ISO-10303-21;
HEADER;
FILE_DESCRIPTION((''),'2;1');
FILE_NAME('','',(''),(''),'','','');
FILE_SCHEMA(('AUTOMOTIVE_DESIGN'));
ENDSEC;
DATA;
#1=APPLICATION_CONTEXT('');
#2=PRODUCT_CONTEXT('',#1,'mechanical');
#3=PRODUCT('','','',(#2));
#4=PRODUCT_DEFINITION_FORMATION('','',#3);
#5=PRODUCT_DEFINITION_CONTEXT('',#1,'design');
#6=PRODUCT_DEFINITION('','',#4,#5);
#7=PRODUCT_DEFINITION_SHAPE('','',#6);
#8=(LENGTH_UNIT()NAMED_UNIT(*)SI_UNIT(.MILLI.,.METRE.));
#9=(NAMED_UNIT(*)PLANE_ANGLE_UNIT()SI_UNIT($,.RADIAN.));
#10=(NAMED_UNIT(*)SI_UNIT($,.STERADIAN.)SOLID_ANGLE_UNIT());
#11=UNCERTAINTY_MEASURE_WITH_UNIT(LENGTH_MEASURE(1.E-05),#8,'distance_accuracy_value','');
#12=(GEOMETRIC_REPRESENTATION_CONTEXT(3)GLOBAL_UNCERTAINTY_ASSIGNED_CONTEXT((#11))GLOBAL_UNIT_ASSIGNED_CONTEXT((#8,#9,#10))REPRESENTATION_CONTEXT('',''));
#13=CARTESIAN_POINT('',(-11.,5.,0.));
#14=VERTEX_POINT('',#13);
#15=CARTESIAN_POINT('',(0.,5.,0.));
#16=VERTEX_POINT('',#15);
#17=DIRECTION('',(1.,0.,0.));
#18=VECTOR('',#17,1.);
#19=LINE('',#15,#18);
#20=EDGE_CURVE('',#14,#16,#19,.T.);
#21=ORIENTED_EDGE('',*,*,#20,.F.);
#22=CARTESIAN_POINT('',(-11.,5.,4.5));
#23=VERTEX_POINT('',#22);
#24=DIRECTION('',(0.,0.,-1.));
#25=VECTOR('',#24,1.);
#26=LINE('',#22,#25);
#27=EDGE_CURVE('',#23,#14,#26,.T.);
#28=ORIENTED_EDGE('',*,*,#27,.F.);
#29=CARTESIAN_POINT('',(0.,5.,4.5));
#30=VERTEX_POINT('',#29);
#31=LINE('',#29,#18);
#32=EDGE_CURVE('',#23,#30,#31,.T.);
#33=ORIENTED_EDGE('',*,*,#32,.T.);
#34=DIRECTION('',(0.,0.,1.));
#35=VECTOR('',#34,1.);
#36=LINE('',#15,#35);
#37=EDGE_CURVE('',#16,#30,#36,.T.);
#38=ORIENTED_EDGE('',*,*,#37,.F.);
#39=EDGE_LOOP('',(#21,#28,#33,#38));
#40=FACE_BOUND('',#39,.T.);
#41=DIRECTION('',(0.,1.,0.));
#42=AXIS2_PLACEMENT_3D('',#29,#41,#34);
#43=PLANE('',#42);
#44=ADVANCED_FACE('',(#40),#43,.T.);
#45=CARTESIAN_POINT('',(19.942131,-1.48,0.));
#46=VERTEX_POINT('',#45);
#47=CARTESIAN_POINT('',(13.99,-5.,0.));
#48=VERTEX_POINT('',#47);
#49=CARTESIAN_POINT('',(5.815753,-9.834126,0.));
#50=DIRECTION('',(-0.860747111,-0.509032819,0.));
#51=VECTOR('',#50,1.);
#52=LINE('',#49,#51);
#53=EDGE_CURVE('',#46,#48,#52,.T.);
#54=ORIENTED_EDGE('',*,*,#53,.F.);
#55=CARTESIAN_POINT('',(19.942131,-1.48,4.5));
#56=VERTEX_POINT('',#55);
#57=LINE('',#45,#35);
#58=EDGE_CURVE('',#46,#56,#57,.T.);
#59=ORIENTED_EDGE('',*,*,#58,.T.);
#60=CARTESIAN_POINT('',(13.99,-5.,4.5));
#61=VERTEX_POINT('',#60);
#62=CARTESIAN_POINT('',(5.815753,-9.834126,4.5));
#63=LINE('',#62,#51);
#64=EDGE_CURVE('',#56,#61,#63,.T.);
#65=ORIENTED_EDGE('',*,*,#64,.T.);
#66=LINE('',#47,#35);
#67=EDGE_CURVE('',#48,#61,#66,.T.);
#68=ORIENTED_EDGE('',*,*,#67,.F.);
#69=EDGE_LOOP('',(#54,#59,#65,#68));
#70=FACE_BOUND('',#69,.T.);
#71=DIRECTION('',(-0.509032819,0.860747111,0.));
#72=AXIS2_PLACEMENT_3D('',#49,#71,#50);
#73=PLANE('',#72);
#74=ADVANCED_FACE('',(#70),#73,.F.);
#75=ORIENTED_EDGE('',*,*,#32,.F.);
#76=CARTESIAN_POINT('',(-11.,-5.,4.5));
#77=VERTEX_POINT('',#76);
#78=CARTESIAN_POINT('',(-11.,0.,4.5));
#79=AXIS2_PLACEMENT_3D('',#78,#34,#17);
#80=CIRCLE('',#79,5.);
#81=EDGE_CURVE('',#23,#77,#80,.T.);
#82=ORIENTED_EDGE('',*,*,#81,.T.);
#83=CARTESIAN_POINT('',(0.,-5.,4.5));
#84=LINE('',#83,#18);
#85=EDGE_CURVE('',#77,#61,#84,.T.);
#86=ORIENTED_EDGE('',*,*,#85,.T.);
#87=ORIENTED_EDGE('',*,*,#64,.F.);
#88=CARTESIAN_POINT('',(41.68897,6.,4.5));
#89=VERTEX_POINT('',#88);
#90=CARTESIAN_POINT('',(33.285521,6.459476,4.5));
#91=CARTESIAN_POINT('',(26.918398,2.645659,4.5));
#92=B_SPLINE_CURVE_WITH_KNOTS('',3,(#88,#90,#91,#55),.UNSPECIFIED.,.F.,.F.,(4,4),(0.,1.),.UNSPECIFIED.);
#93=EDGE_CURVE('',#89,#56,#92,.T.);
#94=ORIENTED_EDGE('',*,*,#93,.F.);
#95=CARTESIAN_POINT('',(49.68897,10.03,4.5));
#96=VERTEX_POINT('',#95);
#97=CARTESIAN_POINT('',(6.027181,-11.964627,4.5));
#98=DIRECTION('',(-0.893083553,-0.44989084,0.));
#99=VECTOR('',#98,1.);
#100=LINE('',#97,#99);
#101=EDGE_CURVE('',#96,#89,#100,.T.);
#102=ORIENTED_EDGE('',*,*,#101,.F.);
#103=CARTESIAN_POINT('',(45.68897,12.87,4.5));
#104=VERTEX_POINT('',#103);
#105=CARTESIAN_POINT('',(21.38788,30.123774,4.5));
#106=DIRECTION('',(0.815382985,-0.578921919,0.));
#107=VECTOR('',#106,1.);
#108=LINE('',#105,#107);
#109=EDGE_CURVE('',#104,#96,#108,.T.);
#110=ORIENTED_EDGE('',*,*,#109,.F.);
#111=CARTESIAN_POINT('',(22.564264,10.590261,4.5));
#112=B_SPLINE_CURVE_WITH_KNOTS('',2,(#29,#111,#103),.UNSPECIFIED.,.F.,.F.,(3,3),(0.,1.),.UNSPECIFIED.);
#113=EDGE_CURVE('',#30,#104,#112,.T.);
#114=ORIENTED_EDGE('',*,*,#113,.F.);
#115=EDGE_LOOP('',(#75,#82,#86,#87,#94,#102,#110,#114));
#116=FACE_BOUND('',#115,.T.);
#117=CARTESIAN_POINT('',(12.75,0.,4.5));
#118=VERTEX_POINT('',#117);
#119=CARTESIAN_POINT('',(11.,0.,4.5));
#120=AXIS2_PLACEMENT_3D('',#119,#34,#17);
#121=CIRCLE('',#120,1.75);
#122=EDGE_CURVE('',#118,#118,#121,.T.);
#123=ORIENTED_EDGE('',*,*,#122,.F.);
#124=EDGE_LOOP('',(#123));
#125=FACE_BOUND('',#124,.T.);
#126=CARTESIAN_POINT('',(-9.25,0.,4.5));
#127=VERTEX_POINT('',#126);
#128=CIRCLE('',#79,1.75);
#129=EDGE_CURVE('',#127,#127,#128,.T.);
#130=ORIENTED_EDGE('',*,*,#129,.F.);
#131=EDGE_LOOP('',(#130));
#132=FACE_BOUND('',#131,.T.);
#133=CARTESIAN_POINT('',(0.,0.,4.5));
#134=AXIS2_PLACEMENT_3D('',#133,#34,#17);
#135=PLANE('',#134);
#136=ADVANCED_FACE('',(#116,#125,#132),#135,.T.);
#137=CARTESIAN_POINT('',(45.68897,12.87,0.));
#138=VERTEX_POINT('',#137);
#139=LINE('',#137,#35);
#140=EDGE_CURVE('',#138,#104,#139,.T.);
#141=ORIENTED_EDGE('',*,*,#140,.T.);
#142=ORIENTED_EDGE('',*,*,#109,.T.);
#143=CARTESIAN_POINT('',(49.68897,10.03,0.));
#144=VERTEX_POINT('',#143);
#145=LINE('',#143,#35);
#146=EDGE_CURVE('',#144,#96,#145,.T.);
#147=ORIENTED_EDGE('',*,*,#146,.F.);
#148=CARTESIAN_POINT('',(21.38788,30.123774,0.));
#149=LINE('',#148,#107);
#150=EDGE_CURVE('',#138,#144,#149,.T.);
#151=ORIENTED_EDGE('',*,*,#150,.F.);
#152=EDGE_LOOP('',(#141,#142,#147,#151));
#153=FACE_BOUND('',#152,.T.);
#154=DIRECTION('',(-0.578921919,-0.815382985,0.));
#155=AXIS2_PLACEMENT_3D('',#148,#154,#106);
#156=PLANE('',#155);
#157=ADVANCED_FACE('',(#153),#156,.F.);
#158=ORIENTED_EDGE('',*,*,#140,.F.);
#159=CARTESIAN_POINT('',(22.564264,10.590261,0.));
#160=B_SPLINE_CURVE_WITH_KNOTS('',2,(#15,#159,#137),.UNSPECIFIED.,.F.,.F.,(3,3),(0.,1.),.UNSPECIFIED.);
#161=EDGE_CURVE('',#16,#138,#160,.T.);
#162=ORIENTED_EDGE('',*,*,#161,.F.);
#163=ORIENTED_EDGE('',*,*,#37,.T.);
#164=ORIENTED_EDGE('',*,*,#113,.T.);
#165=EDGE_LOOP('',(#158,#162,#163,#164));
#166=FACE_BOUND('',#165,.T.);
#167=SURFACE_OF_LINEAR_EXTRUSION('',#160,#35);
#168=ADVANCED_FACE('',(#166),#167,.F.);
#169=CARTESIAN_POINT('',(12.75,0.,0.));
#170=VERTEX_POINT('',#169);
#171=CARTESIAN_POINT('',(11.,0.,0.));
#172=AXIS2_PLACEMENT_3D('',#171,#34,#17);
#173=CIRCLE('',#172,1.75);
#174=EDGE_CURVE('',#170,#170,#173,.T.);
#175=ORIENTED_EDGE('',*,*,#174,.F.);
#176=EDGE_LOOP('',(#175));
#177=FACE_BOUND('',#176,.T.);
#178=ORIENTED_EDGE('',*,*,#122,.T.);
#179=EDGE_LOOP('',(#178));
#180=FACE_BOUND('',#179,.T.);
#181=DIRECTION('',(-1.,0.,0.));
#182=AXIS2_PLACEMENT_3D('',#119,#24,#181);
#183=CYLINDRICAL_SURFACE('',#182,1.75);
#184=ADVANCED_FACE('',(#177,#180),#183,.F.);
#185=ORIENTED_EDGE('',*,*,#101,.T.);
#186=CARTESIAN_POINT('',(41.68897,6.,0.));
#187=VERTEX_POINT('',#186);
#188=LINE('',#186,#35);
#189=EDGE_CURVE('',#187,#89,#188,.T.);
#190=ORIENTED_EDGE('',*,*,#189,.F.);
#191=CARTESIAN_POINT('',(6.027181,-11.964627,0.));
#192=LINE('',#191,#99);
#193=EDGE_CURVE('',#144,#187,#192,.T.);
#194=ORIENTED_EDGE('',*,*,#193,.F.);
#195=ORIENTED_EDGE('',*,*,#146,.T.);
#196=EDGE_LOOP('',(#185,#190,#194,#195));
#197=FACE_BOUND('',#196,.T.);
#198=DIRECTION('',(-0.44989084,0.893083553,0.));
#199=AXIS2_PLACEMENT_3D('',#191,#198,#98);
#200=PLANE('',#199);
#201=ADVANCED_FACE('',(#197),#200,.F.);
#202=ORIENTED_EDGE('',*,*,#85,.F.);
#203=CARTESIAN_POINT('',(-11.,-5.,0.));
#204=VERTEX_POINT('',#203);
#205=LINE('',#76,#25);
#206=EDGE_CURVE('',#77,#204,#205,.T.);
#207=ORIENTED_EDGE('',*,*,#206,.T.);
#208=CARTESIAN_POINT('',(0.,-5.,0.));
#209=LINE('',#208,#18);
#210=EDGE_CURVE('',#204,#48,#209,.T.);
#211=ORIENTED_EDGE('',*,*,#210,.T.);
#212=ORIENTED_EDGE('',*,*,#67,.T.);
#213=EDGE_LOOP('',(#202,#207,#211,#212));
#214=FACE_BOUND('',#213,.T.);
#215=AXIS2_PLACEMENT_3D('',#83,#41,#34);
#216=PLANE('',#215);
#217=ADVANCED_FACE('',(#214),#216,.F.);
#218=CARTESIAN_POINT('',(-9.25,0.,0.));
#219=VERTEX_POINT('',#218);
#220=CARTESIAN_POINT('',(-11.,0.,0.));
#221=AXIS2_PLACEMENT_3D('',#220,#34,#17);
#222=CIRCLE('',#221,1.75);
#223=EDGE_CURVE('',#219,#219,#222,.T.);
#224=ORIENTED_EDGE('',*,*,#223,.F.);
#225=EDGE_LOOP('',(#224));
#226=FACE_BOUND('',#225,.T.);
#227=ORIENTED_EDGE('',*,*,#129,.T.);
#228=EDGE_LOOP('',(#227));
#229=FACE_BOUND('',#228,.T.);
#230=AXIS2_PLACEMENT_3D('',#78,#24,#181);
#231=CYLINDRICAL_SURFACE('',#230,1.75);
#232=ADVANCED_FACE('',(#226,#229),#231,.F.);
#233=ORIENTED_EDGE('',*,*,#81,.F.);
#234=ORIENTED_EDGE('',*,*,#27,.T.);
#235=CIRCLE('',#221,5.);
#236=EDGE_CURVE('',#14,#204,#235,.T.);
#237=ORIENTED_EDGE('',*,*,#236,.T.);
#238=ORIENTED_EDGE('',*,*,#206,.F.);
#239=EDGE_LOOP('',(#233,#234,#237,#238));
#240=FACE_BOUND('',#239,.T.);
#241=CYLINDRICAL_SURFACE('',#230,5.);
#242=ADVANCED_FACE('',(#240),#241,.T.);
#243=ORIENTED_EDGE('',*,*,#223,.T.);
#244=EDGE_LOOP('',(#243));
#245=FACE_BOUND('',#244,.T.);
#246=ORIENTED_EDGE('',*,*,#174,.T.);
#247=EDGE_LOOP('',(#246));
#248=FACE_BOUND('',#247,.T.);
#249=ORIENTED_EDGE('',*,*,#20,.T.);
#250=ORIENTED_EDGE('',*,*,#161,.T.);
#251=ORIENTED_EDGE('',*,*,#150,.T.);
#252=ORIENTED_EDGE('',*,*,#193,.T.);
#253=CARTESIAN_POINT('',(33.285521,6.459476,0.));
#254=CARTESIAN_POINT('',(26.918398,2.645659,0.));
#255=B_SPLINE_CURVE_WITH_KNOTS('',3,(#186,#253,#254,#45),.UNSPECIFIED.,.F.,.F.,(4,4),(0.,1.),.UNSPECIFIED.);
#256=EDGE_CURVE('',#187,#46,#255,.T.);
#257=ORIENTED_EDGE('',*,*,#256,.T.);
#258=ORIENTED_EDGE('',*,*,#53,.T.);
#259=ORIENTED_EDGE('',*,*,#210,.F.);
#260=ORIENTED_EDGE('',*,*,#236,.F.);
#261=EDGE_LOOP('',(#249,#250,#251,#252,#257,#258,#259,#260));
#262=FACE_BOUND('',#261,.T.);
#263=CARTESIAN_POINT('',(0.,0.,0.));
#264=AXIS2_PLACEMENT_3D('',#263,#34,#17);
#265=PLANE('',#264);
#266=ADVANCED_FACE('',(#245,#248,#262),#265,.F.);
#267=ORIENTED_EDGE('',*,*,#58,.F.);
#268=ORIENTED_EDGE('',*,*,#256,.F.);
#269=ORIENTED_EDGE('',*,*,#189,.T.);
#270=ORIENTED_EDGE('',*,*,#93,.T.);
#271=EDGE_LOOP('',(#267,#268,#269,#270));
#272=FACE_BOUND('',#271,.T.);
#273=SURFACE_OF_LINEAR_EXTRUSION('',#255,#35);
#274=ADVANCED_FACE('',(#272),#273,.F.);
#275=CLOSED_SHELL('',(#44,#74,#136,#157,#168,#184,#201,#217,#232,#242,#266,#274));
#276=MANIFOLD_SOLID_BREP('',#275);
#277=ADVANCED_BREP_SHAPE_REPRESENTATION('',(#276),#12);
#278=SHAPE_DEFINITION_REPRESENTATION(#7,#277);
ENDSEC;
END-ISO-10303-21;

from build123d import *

# Parameters (mm, degrees)
SKETCH2_R           = 5
SKETCH2_R_2         = 1.75
BOSS_EXTRUDE1_DEPTH = 4.5
BOSS_EXTRUDE2_START = -4.5
BOSS_EXTRUDE2_DEPTH = 4.5


with BuildPart() as part:
    # Sketch2 → Boss-Extrude1 (new body)
    # profile 1 of 3: a face of its own
    with BuildSketch(Plane.XY):
        with Locations((-11, 0)):
            Circle(SKETCH2_R)
        with Locations((-11, 0)):
            Circle(SKETCH2_R_2, mode=Mode.SUBTRACT)
    # profile 2 of 3: a face of its own
    with BuildSketch(Plane.XY):
        with Locations((11, 0)):
            Circle(SKETCH2_R)
        with Locations((11, 0)):
            Circle(SKETCH2_R_2, mode=Mode.SUBTRACT)
    # profile 3 of 3: a face of its own
    with BuildSketch(Plane.XY):
        with BuildLine():
            Line((11.000000016, 5), (-11, 5))
            ThreePointArc((-11, 5), (-7.464466094, 3.535533906), (-6, 0))
            ThreePointArc((-6, 0), (-7.464466094, -3.535533906), (-11, -5))
            Line((-11, -5), (11, -5))
            ThreePointArc((11, -5), (6, 8e-09), (11.000000016, 5))
        make_face()
    extrude(amount=BOSS_EXTRUDE1_DEPTH)

    # Sketch3 → Boss-Extrude2 (add)
    with BuildSketch(Plane.XY.offset(4.5).offset(BOSS_EXTRUDE2_START)):
        with BuildLine():
            Line((49.688970331, 10.03), (45.688970331, 12.87))
            add(Edge.make_bspline(
                [(0, 5), (22.564264041, 10.590261298), (45.688970331, 12.87)],
                knots=[0, 0, 0, 1, 1, 1], degree=2))
            Line((0, 5), (11, 5))
            ThreePointArc((11, 5), (16, 0), (11, -5))
            Line((11, -5), (13.99, -5))
            Line((13.99, -5), (19.942130619, -1.48))
            add(Edge.make_bspline(
                [(41.688970331, 6), (33.285520943, 6.459476071), (26.91839773, 2.645658828), (19.942130619, -1.48)],
                knots=[0, 0, 0, 0, 1, 1, 1, 1], degree=3))
            Line((41.688970331, 6), (49.688970331, 10.03))
        make_face()
    extrude(amount=BOSS_EXTRUDE2_DEPTH)


solid = part.part
